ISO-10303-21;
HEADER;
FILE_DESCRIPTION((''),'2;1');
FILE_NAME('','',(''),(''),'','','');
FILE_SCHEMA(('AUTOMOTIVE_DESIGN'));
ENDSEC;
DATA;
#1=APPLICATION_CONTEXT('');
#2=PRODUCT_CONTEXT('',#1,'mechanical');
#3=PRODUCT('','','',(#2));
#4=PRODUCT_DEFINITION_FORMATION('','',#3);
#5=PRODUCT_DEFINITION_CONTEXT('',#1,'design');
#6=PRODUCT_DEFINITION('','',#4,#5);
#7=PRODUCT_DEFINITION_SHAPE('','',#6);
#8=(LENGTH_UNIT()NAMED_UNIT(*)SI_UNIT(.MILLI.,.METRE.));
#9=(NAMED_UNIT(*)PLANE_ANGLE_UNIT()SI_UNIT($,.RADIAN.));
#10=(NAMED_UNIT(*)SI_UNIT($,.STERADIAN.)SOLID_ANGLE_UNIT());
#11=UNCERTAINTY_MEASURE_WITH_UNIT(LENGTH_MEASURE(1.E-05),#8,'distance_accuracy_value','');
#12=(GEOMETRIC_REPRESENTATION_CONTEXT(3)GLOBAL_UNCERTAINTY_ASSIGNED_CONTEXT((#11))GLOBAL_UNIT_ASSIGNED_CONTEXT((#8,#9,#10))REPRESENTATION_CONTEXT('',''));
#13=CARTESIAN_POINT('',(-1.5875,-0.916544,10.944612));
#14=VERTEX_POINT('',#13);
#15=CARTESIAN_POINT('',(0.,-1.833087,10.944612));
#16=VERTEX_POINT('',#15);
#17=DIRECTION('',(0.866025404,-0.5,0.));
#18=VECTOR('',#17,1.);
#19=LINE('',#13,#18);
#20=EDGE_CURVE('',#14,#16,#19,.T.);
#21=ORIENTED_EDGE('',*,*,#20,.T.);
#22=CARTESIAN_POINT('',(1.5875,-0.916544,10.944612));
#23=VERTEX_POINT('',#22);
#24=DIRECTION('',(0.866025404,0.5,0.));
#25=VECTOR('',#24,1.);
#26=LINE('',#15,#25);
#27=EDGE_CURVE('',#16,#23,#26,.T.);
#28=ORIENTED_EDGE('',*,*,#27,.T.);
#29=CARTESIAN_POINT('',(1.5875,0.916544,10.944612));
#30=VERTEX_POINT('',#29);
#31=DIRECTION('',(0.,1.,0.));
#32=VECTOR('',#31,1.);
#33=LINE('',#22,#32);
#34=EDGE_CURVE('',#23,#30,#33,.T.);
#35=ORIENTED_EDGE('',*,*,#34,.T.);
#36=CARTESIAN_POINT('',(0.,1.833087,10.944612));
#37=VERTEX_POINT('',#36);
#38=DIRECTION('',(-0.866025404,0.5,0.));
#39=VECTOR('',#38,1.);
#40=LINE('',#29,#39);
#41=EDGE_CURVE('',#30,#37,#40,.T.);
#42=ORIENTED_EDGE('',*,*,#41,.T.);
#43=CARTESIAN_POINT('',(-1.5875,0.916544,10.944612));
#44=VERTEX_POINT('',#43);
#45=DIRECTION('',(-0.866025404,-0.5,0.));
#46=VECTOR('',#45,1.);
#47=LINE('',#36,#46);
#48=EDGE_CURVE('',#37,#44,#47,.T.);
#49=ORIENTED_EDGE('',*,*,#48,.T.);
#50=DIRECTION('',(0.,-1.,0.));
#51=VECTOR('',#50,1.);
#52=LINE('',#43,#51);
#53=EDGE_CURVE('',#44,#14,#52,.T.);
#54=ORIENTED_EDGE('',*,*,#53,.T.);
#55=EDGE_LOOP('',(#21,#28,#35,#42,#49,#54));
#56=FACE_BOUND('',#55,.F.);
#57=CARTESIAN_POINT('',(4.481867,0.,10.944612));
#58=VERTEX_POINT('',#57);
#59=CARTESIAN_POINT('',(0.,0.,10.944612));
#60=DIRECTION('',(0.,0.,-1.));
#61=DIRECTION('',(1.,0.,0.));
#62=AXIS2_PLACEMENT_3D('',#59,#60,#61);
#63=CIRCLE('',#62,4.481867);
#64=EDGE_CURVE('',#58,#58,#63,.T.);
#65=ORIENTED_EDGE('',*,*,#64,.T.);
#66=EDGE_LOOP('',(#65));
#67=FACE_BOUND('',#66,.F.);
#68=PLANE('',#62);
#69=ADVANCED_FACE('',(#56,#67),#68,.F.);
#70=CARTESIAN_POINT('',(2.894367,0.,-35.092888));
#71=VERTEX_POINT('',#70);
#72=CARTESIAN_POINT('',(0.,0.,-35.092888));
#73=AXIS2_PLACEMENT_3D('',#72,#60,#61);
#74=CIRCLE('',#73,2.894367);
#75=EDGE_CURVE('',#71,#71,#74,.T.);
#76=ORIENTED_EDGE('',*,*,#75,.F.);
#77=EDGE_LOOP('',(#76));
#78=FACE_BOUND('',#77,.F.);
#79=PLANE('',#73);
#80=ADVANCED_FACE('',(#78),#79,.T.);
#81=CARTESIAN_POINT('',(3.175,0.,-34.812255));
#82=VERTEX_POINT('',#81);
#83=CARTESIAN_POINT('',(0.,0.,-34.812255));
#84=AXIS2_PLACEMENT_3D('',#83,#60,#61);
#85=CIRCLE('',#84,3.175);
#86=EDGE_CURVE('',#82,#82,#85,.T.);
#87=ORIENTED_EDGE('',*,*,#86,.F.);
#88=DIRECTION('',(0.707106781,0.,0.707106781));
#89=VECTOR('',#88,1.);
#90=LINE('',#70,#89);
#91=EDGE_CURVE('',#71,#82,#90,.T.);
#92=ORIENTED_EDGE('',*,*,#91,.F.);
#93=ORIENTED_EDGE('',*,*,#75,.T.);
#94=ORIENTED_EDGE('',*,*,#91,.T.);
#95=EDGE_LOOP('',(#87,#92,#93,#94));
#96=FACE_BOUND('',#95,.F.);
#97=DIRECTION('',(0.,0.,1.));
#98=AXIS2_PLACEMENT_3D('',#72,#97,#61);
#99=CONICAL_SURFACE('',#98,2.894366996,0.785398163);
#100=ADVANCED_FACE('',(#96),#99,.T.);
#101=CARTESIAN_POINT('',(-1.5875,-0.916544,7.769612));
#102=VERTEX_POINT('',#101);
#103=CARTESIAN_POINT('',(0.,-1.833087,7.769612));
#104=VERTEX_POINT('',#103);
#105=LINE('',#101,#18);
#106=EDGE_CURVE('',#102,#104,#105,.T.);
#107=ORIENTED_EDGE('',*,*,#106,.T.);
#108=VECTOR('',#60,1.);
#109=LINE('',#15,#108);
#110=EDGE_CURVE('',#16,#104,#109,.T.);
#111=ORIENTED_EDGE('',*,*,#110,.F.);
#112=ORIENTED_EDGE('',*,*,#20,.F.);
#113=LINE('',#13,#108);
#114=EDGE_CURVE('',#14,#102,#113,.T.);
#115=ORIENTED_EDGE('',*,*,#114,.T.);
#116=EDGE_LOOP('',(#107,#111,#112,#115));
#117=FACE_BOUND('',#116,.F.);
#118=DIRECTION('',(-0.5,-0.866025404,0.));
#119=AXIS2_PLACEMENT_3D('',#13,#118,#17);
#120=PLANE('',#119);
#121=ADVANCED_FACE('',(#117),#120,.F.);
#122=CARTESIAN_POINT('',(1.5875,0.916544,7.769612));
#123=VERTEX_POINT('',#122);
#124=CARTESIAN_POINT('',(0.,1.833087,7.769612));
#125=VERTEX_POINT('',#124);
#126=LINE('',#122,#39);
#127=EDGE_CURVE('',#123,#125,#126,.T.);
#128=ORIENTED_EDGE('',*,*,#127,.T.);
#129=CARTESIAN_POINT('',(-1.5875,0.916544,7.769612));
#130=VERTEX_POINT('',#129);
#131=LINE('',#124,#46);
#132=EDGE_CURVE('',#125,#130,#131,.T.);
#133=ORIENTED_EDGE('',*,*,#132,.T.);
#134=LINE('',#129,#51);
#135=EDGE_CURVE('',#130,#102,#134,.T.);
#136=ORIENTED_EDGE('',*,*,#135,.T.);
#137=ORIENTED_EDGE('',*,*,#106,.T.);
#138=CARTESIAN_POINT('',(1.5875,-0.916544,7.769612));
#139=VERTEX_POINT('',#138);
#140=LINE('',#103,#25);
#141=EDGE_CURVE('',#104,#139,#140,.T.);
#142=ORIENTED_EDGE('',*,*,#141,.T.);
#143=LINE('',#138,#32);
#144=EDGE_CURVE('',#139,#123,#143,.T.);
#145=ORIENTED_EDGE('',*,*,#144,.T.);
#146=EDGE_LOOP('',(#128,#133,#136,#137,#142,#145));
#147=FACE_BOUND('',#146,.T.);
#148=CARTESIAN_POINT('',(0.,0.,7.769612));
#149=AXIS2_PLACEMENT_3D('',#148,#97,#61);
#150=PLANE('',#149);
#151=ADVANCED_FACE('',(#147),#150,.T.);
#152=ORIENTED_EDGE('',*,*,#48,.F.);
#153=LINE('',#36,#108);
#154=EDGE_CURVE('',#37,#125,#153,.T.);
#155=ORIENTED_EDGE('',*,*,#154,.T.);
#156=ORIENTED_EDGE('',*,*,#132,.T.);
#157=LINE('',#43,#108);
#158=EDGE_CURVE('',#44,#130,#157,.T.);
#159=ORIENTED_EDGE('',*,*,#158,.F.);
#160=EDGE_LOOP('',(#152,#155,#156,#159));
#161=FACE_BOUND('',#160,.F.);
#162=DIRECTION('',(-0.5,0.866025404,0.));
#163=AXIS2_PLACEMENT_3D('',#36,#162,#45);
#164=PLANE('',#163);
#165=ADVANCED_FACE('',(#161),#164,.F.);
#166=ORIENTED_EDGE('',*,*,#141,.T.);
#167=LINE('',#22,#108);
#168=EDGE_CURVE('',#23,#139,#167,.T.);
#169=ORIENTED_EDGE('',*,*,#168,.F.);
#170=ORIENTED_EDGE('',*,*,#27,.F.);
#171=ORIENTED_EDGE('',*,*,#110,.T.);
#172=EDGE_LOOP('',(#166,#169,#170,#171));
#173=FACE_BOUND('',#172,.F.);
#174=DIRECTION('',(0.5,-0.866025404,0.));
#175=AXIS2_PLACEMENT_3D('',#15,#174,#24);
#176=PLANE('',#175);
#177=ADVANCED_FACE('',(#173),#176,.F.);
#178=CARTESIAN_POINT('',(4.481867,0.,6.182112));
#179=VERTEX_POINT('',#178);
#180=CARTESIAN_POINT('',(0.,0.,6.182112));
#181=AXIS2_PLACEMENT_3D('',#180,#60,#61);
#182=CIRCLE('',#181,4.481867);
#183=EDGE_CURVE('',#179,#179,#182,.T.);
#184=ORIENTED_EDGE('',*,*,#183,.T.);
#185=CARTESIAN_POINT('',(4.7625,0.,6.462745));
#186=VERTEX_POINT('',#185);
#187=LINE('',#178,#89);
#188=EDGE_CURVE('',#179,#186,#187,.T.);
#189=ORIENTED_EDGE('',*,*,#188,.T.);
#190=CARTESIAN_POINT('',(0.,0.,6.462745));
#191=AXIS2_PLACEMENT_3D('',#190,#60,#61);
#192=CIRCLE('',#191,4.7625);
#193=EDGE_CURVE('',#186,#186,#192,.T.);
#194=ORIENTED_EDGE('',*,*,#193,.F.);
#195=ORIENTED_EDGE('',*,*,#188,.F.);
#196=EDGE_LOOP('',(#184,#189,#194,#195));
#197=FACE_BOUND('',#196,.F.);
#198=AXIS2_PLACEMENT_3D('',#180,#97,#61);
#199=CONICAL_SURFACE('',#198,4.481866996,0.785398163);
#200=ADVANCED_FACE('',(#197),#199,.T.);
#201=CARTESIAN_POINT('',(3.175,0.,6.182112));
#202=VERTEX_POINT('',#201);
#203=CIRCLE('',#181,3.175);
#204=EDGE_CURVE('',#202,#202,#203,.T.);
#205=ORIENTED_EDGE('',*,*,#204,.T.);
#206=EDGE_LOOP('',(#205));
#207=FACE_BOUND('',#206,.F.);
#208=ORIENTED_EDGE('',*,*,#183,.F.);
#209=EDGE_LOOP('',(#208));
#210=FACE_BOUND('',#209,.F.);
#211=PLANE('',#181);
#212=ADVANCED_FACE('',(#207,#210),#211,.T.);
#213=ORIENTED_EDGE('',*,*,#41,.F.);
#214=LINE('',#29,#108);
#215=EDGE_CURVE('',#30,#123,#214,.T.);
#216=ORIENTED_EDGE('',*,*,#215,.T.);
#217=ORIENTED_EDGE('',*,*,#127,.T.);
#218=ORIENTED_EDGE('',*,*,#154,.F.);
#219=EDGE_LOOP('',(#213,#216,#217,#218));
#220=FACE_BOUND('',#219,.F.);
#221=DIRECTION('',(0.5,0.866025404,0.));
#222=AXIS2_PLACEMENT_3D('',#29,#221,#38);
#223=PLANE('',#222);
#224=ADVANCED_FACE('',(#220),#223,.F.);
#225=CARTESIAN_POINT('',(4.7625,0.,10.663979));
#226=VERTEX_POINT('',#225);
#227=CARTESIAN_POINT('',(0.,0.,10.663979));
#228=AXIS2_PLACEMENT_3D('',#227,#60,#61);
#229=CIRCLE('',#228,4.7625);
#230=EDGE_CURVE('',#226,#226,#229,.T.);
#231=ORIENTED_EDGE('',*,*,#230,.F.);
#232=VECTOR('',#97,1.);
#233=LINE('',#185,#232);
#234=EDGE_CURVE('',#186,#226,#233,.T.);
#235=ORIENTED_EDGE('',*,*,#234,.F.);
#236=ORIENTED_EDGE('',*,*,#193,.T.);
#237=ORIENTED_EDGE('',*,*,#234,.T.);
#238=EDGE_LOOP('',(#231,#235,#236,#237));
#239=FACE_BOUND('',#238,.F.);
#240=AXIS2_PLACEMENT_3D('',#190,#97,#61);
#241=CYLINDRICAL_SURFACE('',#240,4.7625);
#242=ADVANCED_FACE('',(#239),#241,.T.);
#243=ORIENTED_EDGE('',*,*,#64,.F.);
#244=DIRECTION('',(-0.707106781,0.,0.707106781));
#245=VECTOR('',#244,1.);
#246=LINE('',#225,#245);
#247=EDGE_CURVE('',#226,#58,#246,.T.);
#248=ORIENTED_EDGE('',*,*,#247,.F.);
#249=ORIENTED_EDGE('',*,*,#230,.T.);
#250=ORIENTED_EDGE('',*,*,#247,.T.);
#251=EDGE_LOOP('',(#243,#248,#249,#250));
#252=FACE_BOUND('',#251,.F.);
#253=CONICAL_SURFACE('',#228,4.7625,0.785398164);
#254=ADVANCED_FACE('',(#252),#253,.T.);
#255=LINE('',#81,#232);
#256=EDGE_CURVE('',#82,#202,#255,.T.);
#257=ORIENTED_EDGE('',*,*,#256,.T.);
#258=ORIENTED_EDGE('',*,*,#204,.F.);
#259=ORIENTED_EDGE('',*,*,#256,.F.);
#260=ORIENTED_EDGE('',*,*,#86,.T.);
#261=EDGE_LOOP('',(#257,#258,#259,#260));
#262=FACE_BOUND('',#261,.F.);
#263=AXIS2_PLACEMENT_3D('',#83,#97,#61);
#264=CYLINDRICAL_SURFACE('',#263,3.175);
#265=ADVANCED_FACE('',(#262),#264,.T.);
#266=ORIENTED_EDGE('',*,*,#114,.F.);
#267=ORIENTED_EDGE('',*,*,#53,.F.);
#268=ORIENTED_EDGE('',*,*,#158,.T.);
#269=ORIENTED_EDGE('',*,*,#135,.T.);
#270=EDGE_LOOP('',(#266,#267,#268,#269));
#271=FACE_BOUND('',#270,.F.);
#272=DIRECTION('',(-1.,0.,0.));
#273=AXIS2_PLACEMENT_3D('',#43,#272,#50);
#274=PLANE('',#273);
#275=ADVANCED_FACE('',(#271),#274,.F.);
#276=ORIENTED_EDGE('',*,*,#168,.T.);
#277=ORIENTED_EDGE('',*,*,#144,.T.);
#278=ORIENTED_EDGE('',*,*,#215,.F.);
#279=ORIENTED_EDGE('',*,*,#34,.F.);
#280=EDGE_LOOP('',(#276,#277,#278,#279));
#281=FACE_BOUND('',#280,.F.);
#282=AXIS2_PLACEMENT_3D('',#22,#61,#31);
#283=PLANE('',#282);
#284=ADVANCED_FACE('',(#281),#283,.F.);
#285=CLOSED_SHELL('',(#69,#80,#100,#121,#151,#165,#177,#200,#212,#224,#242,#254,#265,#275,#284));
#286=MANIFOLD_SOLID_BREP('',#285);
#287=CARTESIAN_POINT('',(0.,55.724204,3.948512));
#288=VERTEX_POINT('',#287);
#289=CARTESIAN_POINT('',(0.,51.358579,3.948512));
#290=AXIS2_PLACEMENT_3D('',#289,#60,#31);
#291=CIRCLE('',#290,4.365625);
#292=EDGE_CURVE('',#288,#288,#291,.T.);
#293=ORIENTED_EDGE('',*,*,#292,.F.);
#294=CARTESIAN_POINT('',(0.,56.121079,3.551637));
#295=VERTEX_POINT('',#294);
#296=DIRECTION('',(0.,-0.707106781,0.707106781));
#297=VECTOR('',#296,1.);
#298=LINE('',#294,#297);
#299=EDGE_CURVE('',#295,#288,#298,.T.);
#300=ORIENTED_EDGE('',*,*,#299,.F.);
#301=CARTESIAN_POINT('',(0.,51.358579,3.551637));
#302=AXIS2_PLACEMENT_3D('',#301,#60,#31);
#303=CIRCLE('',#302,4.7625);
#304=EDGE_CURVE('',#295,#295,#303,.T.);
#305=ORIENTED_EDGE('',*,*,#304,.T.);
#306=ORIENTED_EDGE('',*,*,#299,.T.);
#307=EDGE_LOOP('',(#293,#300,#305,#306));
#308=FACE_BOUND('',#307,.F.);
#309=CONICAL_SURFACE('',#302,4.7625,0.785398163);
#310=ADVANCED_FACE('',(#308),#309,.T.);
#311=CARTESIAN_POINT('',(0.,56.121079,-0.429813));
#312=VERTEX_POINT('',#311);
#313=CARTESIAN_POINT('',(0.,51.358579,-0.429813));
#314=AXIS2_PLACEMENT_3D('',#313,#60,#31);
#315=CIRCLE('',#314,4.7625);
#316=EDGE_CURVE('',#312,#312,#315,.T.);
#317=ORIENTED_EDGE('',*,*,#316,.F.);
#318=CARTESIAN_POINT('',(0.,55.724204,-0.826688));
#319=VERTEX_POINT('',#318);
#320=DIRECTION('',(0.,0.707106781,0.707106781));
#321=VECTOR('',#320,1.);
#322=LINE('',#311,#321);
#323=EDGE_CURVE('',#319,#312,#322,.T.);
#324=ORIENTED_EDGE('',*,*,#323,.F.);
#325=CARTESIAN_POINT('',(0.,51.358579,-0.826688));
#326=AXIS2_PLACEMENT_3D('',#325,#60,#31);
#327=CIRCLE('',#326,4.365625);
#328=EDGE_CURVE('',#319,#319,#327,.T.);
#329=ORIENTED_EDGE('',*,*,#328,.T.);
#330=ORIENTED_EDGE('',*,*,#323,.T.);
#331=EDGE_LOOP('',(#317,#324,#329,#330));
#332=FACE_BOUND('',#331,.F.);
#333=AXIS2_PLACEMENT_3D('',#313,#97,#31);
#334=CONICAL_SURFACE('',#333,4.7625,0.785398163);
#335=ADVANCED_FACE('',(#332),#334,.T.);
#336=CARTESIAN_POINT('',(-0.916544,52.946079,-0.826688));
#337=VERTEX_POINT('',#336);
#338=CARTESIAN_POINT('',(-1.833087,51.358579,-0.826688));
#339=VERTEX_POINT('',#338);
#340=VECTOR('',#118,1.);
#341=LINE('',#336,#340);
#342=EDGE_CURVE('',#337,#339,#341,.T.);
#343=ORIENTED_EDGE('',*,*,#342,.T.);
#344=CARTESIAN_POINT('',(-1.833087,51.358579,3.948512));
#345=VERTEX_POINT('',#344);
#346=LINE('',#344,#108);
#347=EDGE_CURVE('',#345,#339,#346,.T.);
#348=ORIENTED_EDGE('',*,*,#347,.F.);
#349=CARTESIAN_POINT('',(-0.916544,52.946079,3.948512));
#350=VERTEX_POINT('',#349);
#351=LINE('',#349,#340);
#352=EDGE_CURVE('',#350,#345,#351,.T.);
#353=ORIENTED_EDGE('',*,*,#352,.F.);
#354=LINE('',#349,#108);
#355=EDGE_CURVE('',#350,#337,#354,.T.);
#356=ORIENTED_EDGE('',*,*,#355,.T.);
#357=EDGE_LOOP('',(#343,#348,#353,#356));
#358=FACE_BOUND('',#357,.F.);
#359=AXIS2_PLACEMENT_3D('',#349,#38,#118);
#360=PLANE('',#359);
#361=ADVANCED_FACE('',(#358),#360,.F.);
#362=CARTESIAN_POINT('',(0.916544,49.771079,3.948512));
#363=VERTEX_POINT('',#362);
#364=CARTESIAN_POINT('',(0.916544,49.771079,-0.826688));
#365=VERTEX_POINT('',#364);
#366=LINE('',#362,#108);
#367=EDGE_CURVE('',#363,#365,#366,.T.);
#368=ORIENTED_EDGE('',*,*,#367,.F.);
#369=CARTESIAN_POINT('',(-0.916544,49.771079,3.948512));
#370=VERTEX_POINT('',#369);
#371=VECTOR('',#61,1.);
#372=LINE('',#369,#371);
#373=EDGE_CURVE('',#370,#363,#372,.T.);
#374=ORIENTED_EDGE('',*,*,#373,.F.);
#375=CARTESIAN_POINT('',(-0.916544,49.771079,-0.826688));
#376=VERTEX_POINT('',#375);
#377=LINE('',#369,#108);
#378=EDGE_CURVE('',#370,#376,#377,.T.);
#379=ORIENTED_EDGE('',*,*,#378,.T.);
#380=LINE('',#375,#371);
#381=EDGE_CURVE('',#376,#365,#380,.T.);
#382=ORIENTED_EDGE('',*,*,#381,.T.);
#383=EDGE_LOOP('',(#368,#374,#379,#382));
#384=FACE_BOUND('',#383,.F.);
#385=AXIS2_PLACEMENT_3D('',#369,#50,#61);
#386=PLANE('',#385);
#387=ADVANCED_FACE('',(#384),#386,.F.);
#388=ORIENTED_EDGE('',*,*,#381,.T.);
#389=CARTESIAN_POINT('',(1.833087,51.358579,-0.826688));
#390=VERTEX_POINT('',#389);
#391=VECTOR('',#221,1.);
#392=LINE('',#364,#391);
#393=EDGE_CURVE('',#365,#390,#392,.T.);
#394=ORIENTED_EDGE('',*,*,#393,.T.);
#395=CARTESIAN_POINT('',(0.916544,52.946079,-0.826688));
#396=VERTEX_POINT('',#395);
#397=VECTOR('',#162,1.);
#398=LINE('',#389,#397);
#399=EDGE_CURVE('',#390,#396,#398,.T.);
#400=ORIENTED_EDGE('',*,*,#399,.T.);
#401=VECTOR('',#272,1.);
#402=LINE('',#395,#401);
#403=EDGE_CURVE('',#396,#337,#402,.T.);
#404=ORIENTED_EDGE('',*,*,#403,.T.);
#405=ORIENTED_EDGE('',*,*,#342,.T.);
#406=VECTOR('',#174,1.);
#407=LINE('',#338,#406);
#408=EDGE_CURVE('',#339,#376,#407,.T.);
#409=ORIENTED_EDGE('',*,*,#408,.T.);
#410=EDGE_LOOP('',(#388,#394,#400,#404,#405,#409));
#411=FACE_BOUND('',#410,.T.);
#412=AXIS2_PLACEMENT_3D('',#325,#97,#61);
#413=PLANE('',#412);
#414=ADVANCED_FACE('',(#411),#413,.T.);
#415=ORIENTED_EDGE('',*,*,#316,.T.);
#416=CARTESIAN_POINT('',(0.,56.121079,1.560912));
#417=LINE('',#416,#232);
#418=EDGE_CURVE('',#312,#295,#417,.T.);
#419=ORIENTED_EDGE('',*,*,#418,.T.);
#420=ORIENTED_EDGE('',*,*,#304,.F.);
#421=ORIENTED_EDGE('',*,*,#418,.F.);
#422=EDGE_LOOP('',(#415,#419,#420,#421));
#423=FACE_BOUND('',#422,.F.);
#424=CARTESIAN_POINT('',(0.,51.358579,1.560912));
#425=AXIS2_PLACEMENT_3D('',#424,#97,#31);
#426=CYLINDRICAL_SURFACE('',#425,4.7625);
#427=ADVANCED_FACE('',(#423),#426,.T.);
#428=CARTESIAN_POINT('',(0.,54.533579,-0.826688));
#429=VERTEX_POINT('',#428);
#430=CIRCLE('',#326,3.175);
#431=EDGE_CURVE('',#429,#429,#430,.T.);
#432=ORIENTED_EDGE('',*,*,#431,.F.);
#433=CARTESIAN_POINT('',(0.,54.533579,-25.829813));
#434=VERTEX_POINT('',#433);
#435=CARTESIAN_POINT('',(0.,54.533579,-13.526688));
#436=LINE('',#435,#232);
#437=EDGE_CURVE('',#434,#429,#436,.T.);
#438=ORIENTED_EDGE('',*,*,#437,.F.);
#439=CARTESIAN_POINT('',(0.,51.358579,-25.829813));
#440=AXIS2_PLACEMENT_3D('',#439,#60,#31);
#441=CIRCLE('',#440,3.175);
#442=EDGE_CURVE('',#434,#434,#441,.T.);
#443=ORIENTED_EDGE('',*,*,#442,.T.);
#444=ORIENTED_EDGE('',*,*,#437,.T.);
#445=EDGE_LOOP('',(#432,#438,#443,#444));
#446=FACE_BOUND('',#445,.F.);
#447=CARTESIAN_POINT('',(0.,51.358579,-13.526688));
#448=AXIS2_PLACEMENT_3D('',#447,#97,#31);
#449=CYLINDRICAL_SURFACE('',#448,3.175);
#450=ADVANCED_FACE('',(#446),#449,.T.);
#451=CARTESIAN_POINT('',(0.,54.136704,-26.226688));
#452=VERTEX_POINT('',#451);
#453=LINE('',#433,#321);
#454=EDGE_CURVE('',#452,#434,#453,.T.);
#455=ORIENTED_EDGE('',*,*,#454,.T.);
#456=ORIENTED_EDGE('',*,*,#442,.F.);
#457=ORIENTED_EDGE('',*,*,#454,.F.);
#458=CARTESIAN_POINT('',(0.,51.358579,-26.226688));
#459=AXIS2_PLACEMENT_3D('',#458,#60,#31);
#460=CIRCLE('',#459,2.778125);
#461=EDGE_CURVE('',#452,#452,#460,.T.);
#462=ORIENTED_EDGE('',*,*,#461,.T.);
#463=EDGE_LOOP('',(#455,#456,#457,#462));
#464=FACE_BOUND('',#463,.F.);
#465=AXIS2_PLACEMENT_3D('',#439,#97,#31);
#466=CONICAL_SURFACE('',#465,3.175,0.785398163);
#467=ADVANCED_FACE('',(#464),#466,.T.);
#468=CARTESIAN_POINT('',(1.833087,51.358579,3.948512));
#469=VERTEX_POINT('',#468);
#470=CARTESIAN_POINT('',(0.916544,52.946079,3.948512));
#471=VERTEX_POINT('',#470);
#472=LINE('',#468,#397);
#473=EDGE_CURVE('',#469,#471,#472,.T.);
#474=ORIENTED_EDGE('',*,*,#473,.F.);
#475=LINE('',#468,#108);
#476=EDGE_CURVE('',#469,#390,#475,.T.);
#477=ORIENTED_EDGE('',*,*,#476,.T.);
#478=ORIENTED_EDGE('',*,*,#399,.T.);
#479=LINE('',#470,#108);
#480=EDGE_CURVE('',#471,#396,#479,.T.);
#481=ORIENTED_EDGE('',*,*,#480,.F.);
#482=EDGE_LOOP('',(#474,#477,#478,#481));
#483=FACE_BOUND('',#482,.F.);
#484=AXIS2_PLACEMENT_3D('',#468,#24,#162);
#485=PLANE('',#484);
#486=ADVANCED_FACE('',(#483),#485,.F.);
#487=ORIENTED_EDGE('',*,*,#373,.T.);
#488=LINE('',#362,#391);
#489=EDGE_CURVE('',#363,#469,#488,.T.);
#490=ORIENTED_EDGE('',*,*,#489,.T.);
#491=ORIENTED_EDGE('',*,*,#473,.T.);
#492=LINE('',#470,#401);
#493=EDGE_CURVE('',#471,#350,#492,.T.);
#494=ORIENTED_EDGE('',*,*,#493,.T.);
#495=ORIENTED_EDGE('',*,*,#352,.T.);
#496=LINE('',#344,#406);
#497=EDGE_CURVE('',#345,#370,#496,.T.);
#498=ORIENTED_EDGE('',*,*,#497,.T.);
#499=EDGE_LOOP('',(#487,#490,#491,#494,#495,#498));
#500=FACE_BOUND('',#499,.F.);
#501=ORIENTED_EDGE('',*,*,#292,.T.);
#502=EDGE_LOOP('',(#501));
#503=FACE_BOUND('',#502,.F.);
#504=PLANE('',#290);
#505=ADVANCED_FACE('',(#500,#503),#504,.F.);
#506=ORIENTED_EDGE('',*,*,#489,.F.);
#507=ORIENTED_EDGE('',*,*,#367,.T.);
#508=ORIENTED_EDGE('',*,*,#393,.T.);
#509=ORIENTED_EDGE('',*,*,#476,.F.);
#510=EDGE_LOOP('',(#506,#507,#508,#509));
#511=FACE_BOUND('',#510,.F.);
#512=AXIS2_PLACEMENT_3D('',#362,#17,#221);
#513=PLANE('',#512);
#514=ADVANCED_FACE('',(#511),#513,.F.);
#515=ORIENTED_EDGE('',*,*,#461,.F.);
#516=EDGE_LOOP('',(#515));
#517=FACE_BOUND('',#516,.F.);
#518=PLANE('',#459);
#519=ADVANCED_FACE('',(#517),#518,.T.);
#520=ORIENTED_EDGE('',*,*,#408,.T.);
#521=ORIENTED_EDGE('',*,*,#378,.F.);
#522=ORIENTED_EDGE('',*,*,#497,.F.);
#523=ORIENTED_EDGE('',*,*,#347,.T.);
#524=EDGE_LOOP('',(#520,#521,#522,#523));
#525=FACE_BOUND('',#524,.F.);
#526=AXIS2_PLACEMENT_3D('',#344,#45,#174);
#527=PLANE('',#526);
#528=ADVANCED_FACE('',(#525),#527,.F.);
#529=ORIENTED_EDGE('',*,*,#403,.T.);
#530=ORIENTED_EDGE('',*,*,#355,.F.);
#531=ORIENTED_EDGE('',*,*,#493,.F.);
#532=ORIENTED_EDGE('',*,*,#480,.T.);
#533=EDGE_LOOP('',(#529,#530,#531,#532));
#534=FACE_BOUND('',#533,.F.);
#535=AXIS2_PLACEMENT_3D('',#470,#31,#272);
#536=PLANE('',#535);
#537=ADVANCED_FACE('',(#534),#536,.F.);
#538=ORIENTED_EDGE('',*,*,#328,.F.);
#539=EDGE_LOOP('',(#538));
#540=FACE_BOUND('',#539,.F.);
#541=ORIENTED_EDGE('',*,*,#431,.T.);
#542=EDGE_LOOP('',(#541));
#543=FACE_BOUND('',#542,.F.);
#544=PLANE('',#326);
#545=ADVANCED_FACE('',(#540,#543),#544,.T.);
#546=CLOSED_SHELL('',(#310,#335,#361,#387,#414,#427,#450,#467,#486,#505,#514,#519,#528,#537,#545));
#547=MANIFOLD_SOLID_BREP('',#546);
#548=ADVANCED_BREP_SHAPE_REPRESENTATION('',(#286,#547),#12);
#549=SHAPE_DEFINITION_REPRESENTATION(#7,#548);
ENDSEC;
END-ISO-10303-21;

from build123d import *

# Parameters (mm, degrees)
F0_W     = 3.175
F0_H     = 4.7625
F3_DEPTH = 3.175
F4_W     = 3.175
F4_H     = 4.7752
F4_W_2   = 1.5875
F4_H_2   = 25.4
F6_SIZE  = 0.396875
F8_DEPTH = 4.7752


with BuildPart() as f1:
    # F0 (on Front) → F1 (revolve)
    with BuildSketch(Plane.XZ):
        with Locations((1.5875, 8.5633619311)):
            Rectangle(F0_W, F0_H)
        Polygon((4.4818669962, 10.9446119311), (3.175, 10.9446119311), (3.175, 6.1821119311), (4.4818669962, 6.1821119311), (4.7625, 6.4627449349), (4.7625, 10.6639789274), align=None)
        Polygon((3.175, 6.1821119311), (0, 6.1821119311), (0, -35.0928880689), (2.8943669962, -35.0928880689), (3.175, -34.8122550651), align=None)
    revolve(axis=Axis((0, 0, -12.0741380689), (0, 0, -1)))

    # F2 (on face) → F3 (cut)
    with BuildSketch(Plane.XY.offset(10.9446119311)):
        Polygon((1.5875, 0.9165435523), (0, 1.8330871047), (-1.5875, 0.9165435523), (-1.5875, -0.9165435523), (0, -1.8330871047), (1.5875, -0.9165435523), align=None)
    extrude(amount=-F3_DEPTH, mode=Mode.SUBTRACT)


with BuildPart() as f5:
    # F4 (on Right) → F5 (revolve)
    with BuildSketch(Plane.YZ):
        with Locations((52.9460793122, 1.5609115854)):
            Rectangle(F4_W, F4_H)
        with Locations((55.3273293122, 1.5609115854)):
            Rectangle(F4_W_2, F4_H)
        with Locations((52.9460793122, -13.5266884146)):
            Rectangle(F4_W, F4_H_2)
    revolve(axis=Axis((0, 51.3585793122, -11.1390884146), (0, 0, -1)))

    # F6
    f6_edges = [f5.edges().sort_by_distance(p)[0] for p in [
        (0, 46.596079, 3.948512),
        (0, 46.596079, -0.826688),
        (0, 48.183579, -26.226688),
    ]]
    chamfer(f6_edges, length=F6_SIZE)

    # F7 (on face) → F8 (cut)
    with BuildSketch(Plane.XY.offset(3.9485115854)):
        Polygon((0.9165435523, 52.9460793122), (-0.9165435523, 52.9460793122), (-1.8330871047, 51.3585793122), (-0.9165435523, 49.7710793122), (0.9165435523, 49.7710793122), (1.8330871047, 51.3585793122), align=None)
    extrude(amount=-F8_DEPTH, mode=Mode.SUBTRACT)


solid = Compound([f1.part, f5.part])
